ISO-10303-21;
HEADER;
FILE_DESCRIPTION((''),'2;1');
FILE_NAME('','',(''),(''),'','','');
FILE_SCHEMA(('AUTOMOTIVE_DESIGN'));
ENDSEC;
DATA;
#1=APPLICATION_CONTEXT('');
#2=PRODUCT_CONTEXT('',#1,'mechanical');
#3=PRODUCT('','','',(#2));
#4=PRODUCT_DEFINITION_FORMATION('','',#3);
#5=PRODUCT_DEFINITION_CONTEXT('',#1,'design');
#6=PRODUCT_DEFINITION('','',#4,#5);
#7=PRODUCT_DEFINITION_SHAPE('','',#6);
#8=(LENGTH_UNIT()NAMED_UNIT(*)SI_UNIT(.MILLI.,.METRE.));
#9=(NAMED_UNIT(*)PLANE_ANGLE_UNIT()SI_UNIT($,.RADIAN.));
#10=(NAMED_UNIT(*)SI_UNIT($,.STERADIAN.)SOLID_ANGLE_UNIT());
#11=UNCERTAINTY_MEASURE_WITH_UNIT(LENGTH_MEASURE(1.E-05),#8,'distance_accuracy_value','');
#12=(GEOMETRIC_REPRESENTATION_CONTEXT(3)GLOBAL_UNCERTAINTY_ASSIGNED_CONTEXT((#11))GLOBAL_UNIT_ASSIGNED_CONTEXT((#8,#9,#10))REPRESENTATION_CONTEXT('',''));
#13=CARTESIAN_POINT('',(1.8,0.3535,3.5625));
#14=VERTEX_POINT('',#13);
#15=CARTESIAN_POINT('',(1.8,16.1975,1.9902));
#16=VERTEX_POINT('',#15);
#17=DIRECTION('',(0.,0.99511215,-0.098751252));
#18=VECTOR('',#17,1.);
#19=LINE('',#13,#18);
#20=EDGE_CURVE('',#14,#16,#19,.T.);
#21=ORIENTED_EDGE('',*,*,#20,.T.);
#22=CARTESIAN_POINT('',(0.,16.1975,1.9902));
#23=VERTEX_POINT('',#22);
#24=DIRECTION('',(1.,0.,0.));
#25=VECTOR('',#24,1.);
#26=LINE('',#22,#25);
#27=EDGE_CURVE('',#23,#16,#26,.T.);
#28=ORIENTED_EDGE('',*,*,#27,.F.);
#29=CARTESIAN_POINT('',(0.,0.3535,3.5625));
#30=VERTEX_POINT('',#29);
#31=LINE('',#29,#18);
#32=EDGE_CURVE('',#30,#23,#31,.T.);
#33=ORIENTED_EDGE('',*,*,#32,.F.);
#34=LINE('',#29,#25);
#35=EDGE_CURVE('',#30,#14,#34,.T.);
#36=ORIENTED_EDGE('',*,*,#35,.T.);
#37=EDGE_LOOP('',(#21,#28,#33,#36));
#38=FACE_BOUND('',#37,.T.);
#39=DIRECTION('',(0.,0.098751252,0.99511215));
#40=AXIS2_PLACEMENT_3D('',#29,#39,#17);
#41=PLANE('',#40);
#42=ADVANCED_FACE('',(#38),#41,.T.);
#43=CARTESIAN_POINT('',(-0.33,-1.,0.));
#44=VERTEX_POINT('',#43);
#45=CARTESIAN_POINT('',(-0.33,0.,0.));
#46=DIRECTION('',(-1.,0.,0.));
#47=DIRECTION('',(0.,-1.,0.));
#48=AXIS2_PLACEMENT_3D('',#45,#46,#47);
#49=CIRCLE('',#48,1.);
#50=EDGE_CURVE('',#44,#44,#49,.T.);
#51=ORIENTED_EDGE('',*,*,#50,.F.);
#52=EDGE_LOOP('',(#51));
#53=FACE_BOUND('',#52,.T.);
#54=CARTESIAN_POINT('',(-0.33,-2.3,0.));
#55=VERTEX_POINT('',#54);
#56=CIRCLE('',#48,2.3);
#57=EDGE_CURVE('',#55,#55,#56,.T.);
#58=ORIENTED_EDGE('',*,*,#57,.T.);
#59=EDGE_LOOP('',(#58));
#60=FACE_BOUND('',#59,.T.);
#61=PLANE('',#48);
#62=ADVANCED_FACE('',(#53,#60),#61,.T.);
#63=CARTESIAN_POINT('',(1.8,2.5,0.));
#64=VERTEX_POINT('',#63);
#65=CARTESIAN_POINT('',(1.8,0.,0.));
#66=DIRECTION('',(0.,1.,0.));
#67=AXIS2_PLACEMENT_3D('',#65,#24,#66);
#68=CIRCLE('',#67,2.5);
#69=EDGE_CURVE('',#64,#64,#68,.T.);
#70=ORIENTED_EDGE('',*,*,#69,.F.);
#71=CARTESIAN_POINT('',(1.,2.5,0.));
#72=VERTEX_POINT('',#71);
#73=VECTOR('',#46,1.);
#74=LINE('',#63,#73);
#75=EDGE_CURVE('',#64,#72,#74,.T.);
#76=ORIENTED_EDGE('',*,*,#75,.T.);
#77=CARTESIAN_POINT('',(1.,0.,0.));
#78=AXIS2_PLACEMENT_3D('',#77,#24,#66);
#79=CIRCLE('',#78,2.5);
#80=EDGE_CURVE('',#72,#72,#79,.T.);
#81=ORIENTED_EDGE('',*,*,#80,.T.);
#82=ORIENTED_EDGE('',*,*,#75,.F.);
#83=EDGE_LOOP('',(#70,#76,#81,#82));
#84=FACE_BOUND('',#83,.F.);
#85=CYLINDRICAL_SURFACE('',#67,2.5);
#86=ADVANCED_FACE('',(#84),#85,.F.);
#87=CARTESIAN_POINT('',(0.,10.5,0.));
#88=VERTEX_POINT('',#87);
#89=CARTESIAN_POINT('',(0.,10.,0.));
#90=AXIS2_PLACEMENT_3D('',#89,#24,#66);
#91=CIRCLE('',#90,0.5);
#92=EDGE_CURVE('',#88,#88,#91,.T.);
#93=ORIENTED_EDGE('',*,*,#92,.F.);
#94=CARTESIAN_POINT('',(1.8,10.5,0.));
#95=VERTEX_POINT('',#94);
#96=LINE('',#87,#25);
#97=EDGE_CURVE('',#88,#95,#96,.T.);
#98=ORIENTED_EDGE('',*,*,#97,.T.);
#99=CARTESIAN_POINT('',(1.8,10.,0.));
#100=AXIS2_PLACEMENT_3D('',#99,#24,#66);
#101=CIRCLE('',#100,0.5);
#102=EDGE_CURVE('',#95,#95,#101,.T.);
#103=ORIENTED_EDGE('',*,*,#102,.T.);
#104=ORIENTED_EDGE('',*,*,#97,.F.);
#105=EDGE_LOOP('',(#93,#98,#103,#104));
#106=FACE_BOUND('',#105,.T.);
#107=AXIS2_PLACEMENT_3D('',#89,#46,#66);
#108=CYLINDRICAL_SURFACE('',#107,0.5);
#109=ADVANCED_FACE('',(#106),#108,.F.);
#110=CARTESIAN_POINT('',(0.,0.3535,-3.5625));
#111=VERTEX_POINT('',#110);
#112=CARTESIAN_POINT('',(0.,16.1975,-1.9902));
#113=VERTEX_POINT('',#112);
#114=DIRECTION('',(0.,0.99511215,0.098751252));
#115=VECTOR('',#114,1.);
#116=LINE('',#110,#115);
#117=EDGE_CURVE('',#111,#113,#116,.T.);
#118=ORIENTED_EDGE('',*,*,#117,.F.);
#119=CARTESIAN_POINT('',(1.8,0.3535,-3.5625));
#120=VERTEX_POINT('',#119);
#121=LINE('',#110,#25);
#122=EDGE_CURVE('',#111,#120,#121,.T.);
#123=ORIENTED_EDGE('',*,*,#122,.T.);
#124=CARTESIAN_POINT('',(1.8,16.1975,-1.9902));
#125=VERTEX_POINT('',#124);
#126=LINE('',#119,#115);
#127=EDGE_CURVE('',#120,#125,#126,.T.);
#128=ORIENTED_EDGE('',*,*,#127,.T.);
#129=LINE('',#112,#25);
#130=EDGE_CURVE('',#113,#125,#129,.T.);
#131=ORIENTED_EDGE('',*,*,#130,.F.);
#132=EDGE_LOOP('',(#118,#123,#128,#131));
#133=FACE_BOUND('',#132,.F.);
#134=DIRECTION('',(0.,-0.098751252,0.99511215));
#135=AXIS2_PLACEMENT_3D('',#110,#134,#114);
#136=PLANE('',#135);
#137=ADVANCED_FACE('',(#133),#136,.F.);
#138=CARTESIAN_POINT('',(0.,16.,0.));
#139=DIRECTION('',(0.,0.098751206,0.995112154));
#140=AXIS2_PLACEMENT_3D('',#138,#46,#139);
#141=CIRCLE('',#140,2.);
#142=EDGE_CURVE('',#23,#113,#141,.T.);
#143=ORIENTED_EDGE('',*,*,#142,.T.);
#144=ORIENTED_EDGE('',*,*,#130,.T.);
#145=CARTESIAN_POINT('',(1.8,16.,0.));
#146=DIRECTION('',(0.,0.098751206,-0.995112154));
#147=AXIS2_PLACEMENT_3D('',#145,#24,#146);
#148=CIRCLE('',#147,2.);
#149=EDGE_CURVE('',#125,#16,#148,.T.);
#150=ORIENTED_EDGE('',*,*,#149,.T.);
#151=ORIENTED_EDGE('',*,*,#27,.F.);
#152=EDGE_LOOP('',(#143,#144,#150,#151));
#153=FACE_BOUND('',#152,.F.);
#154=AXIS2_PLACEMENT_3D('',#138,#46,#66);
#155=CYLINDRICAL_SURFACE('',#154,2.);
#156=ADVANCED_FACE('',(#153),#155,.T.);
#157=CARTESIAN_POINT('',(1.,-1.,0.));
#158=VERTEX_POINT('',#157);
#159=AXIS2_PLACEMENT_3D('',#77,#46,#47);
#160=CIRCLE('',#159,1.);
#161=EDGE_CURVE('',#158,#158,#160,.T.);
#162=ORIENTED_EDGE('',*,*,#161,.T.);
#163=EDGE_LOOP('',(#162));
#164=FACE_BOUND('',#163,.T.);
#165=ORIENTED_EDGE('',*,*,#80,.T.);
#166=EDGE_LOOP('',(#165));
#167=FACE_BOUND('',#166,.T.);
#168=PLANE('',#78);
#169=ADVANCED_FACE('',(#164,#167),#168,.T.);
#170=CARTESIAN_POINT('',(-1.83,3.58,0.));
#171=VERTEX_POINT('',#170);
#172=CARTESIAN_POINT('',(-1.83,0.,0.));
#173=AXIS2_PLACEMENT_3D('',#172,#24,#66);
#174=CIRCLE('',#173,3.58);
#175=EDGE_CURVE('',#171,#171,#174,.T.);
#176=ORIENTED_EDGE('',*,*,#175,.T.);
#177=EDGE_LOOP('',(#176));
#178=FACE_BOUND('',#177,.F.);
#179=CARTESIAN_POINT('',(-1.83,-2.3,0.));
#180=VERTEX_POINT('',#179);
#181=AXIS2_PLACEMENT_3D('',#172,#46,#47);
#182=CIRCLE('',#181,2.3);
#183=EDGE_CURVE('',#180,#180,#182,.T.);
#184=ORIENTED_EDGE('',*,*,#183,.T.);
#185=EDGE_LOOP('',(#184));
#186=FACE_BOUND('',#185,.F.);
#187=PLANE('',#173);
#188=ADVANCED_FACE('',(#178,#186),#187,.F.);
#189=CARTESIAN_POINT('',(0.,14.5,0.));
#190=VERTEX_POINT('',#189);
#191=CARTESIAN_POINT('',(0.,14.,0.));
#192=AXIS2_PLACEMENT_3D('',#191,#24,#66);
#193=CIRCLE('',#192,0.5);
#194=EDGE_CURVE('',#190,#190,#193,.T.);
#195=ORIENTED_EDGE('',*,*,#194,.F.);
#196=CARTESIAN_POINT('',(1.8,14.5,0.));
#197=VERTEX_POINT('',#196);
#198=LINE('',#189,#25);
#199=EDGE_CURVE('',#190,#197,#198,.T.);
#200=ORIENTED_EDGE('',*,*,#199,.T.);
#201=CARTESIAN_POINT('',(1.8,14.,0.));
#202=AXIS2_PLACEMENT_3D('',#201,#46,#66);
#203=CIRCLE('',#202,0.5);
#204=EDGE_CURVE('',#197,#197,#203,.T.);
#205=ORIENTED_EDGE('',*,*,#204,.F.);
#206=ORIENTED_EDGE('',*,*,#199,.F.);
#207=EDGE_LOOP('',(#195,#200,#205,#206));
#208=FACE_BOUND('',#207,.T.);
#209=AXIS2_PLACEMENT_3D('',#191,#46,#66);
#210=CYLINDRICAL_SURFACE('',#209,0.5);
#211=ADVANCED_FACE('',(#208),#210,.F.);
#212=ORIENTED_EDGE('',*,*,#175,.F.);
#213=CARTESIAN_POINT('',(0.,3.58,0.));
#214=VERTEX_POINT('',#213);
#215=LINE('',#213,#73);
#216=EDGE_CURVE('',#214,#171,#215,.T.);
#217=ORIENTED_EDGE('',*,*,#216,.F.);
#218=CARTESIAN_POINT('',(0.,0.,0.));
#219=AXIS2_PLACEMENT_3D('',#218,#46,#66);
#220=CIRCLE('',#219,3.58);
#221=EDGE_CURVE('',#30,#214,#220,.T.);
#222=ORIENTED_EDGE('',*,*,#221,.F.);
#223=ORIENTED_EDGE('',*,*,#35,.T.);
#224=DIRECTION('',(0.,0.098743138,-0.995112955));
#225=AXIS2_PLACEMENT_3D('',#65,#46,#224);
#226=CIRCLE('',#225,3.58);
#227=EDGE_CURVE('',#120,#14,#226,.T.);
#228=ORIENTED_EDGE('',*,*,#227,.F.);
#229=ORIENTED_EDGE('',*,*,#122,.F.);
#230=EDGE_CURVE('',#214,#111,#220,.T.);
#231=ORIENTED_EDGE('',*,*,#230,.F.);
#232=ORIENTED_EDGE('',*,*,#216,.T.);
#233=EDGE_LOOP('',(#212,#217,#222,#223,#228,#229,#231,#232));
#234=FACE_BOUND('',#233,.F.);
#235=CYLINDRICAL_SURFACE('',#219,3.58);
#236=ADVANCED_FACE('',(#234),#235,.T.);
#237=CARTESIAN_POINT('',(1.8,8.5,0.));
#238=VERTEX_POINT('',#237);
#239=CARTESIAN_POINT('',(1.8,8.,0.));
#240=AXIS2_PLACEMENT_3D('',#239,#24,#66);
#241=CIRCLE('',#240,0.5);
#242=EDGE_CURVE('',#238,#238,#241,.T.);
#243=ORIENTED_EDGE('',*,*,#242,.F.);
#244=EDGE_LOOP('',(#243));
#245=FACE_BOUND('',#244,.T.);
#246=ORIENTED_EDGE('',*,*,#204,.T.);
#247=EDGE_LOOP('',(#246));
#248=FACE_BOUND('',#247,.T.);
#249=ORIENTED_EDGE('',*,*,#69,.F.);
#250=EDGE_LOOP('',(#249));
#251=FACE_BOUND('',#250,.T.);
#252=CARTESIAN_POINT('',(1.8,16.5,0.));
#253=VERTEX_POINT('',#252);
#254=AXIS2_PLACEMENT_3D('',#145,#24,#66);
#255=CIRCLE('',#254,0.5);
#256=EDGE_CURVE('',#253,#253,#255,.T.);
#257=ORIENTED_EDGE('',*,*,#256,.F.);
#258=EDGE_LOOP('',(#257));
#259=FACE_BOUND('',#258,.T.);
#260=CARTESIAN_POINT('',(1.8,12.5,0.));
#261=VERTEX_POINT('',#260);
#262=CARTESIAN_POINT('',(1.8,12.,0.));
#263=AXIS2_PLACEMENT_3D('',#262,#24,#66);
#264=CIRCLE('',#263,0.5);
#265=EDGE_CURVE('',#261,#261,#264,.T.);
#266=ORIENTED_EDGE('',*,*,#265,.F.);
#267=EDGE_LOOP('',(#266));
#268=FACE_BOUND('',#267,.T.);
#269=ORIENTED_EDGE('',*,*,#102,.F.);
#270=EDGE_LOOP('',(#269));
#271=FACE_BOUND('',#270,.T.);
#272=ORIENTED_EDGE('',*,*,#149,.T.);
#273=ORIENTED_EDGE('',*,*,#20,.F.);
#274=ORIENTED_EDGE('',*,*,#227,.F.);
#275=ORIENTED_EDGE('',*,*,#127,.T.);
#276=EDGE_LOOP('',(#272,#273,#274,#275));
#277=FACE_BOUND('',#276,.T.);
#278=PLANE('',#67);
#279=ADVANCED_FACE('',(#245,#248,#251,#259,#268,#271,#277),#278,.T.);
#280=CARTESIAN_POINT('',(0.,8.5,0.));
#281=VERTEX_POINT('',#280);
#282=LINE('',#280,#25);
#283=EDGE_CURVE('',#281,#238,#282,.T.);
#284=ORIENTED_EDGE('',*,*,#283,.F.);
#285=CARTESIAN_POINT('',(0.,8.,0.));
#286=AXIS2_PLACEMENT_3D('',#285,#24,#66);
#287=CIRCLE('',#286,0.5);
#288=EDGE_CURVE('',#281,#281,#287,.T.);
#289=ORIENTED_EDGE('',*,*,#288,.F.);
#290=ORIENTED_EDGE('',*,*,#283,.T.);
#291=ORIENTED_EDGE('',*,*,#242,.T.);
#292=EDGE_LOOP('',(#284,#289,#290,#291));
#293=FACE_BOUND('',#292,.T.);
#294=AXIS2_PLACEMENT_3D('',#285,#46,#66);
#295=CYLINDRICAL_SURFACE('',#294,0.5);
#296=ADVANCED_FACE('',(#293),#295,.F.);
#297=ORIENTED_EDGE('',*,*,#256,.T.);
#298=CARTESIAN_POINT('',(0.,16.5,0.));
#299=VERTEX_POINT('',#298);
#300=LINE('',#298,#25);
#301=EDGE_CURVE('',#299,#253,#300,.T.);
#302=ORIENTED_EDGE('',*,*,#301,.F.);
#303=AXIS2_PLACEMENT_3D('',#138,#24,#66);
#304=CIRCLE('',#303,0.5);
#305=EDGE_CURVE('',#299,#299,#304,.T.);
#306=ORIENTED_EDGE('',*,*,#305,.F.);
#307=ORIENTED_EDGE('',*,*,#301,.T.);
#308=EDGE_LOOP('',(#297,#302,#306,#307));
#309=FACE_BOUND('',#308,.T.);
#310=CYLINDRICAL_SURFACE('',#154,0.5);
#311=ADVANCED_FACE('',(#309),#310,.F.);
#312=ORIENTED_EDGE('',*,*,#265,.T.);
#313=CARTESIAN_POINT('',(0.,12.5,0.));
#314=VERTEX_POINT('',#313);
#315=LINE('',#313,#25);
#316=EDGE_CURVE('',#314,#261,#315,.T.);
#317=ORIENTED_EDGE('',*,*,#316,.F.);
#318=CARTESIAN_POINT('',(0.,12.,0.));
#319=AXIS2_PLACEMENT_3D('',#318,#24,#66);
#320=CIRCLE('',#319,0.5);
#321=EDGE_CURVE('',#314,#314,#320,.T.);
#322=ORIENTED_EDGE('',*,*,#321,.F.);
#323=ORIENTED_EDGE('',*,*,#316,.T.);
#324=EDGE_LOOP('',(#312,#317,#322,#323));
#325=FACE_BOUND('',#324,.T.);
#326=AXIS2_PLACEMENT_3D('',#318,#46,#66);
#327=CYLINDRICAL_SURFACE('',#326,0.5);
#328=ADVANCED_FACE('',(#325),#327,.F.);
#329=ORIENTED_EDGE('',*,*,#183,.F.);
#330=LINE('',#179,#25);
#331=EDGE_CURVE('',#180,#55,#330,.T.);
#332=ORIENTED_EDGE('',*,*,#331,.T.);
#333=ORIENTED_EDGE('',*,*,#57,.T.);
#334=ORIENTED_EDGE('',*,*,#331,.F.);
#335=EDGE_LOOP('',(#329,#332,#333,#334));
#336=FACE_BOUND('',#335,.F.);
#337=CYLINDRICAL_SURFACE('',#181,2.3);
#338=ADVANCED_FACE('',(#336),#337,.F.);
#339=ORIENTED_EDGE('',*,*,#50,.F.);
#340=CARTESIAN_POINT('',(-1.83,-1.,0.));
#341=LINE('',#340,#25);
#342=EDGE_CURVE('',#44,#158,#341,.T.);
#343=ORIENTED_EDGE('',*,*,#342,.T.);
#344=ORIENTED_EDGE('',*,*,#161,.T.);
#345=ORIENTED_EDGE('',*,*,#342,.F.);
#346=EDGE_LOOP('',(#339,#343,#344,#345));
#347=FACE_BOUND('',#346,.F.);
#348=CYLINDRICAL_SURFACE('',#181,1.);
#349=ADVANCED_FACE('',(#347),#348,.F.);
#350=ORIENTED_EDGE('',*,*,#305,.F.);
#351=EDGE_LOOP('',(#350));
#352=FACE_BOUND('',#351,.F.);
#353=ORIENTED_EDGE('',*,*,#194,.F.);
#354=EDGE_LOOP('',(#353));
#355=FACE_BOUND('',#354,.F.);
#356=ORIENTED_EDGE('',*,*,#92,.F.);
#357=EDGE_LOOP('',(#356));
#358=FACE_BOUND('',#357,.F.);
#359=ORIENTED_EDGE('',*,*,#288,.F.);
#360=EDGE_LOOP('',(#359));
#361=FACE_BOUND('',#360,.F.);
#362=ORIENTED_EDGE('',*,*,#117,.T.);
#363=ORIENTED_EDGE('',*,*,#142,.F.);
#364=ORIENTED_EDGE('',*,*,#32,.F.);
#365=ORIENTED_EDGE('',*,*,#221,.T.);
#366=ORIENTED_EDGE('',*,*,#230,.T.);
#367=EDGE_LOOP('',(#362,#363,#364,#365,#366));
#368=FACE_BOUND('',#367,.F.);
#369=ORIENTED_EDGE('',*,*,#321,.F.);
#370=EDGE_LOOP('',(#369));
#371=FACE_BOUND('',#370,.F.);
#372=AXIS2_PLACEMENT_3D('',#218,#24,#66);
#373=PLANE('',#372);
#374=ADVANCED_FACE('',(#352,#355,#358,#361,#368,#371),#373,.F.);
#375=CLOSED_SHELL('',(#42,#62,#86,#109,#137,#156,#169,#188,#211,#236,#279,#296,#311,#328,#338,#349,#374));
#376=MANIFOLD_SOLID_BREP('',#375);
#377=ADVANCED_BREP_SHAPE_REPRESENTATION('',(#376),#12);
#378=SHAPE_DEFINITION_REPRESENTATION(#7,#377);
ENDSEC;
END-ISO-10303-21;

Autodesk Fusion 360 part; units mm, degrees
sketch "Sketch1" plane through (0, 0, 0) normal (1, 0, 0) x (0, 1, 0)
  circle A0 centre (0, 0) radius 3.58
  circle A1 centre (16, 0) radius 2
  line L0 (0.3535, 3.5625) -> (16.1975, 1.9902)
  line L1 (0.3535, -3.5625) -> (16.1975, -1.9902)
  circle A2 centre (16, 0) radius 0.5
  circle A3 centre (14, 0) radius 0.5
  circle A4 centre (12, 0) radius 0.5
  circle A5 centre (10, 0) radius 0.5
  circle A6 centre (8, 0) radius 0.5
  line L2 (0, 7) -> (0, -7.5)
  circle A7 centre (-8, 0) radius 0.5
  circle A8 centre (-10, 0) radius 0.5
  line L3 (-0.3535, 3.5625) -> (-16.1975, 1.9902)
  circle A9 centre (-12, 0) radius 0.5
  circle A10 centre (-14, 0) radius 0.5
  circle A11 centre (-16, 0) radius 2
  circle A12 centre (-16, 0) radius 0.5
  line L4 (-0.3535, -3.5625) -> (-16.1975, -1.9902)
  dimension "d4" = 7.16
  dimension "d5" = 4
  dimension "d6" = 16
  dimension "d7" = 1
  dimension "d10" = -8
  dimension "d11" = 0
extrude "Extrude1" add sketch "Sketch1" along normal blind 1.8 contours A0 L2 | A0 A1 L0 L1 A3 | A0 L2 | A1 A3 | A0 L3 A10 A11 L4 | A10 A11 picked at (14.8153, -0.6023) picked at (-14.8153, -0.6023) makes body 1
extrude "Extrude2" add sketch "Sketch1" along normal blind 1.8 separate body contours A0 L2 | A0 A1 L0 L1 A3 | A0 L2 | A1 A3 picked at (14.8153, -0.6023) makes body 2
sketch "Sketch2" plane through (0, 0, 0) normal (1, 0, 0) x (0, 1, 0)
extrude "Extrude3" add sketch "Sketch1" against normal blind 1.83 contours A0 L2 | A0 L2 bodies 1
sketch "Sketch3" plane through (1.8, 0, 0) normal (1, 0, 0) x (0, 1, 0)
  circle A0 centre (-10, 0) radius 0.5
  circle A1 centre (10, 0) radius 0.5
  circle A2 centre (-12, 0) radius 0.5
  circle A3 centre (12, 0) radius 0.5
  circle A4 centre (-8, 0) radius 0.5
  circle A5 centre (16, 0) radius 0.5
  circle A6 centre (-16, 0) radius 0.5
  circle A7 centre (14, 0) radius 0.5
  circle A8 centre (8, 0) radius 0.5
  circle A9 centre (-14, 0) radius 0.5
  line L0 (0.3535, -3.5625) -> (16.1975, -1.9902)
  arc A10 (16.1975, -1.9902) -> (16.1975, 1.9902) centre (16, 0) ccw
  line L1 (16.1975, 1.9902) -> (0.3535, 3.5625)
  arc A11 (0.3535, 3.5625) -> (-0.3535, 3.5625) centre (0, 0) ccw
  line L2 (-0.3535, 3.5625) -> (-16.1975, 1.9902)
  arc A12 (-16.1975, 1.9902) -> (-16.1975, -1.9902) centre (-16, 0) ccw
  line L3 (-16.1975, -1.9902) -> (-0.3535, -3.5625)
  arc A13 (-0.3535, -3.5625) -> (0.3535, -3.5625) centre (0, 0) ccw
  circle A14 centre (0, 0) radius 2.5
  circle A15 centre (0, 0) radius 3.58
  dimension "d18" = 5
extrude "Extrude4" cut sketch "Sketch3" against normal blind 0.8 contours A14 bodies 1
sketch "Sketch4" plane through (1, 0, 0) normal (1, 0, 0) x (0, 1, 0)
  circle A0 centre (0, 0) radius 2.5
  circle A1 centre (0, 0) radius 2.5
  circle A2 centre (0, 0) radius 1
  dimension "d21" = 2
extrude "Extrude5" cut sketch "Sketch4" against normal blind 13.5 contours A2 bodies 1
sketch "Sketch5" plane through (-1.83, 0, 0) normal (-1, 0, 0) x (0, -1, 0)
  circle A0 centre (0, 0) radius 1
  circle A1 centre (0, 0) radius 3.58
  circle A2 centre (0, 0) radius 2.3
  dimension "d24" = 4.6
extrude "Extrude6" cut sketch "Sketch5" against normal blind 1.5 contours A2 bodies 1
extrude "Extrude7" add sketch "Sketch1" against normal blind 1.83 contours A0 L2 | A0 L2 bodies 2
extrude "Extrude8" cut sketch "Sketch3" against normal blind 0.8 contours A14 bodies 2
extrude "Extrude9" cut sketch "Sketch5" against normal blind 1.5 contours A2 bodies 2
extrude "Extrude10" cut 1 faces at (-1.83, 0.6188, -0.2429) along direction (1, 0, 0) blind 27.5 on bodies 2 bodies 2
hidden bodies 1
equation "d4 = 3.58 * 2 mm"
equation "d16 = -3.43 mm + 1.6 mm"
equation "d27 = -3.43 mm + 1.6 mm"
